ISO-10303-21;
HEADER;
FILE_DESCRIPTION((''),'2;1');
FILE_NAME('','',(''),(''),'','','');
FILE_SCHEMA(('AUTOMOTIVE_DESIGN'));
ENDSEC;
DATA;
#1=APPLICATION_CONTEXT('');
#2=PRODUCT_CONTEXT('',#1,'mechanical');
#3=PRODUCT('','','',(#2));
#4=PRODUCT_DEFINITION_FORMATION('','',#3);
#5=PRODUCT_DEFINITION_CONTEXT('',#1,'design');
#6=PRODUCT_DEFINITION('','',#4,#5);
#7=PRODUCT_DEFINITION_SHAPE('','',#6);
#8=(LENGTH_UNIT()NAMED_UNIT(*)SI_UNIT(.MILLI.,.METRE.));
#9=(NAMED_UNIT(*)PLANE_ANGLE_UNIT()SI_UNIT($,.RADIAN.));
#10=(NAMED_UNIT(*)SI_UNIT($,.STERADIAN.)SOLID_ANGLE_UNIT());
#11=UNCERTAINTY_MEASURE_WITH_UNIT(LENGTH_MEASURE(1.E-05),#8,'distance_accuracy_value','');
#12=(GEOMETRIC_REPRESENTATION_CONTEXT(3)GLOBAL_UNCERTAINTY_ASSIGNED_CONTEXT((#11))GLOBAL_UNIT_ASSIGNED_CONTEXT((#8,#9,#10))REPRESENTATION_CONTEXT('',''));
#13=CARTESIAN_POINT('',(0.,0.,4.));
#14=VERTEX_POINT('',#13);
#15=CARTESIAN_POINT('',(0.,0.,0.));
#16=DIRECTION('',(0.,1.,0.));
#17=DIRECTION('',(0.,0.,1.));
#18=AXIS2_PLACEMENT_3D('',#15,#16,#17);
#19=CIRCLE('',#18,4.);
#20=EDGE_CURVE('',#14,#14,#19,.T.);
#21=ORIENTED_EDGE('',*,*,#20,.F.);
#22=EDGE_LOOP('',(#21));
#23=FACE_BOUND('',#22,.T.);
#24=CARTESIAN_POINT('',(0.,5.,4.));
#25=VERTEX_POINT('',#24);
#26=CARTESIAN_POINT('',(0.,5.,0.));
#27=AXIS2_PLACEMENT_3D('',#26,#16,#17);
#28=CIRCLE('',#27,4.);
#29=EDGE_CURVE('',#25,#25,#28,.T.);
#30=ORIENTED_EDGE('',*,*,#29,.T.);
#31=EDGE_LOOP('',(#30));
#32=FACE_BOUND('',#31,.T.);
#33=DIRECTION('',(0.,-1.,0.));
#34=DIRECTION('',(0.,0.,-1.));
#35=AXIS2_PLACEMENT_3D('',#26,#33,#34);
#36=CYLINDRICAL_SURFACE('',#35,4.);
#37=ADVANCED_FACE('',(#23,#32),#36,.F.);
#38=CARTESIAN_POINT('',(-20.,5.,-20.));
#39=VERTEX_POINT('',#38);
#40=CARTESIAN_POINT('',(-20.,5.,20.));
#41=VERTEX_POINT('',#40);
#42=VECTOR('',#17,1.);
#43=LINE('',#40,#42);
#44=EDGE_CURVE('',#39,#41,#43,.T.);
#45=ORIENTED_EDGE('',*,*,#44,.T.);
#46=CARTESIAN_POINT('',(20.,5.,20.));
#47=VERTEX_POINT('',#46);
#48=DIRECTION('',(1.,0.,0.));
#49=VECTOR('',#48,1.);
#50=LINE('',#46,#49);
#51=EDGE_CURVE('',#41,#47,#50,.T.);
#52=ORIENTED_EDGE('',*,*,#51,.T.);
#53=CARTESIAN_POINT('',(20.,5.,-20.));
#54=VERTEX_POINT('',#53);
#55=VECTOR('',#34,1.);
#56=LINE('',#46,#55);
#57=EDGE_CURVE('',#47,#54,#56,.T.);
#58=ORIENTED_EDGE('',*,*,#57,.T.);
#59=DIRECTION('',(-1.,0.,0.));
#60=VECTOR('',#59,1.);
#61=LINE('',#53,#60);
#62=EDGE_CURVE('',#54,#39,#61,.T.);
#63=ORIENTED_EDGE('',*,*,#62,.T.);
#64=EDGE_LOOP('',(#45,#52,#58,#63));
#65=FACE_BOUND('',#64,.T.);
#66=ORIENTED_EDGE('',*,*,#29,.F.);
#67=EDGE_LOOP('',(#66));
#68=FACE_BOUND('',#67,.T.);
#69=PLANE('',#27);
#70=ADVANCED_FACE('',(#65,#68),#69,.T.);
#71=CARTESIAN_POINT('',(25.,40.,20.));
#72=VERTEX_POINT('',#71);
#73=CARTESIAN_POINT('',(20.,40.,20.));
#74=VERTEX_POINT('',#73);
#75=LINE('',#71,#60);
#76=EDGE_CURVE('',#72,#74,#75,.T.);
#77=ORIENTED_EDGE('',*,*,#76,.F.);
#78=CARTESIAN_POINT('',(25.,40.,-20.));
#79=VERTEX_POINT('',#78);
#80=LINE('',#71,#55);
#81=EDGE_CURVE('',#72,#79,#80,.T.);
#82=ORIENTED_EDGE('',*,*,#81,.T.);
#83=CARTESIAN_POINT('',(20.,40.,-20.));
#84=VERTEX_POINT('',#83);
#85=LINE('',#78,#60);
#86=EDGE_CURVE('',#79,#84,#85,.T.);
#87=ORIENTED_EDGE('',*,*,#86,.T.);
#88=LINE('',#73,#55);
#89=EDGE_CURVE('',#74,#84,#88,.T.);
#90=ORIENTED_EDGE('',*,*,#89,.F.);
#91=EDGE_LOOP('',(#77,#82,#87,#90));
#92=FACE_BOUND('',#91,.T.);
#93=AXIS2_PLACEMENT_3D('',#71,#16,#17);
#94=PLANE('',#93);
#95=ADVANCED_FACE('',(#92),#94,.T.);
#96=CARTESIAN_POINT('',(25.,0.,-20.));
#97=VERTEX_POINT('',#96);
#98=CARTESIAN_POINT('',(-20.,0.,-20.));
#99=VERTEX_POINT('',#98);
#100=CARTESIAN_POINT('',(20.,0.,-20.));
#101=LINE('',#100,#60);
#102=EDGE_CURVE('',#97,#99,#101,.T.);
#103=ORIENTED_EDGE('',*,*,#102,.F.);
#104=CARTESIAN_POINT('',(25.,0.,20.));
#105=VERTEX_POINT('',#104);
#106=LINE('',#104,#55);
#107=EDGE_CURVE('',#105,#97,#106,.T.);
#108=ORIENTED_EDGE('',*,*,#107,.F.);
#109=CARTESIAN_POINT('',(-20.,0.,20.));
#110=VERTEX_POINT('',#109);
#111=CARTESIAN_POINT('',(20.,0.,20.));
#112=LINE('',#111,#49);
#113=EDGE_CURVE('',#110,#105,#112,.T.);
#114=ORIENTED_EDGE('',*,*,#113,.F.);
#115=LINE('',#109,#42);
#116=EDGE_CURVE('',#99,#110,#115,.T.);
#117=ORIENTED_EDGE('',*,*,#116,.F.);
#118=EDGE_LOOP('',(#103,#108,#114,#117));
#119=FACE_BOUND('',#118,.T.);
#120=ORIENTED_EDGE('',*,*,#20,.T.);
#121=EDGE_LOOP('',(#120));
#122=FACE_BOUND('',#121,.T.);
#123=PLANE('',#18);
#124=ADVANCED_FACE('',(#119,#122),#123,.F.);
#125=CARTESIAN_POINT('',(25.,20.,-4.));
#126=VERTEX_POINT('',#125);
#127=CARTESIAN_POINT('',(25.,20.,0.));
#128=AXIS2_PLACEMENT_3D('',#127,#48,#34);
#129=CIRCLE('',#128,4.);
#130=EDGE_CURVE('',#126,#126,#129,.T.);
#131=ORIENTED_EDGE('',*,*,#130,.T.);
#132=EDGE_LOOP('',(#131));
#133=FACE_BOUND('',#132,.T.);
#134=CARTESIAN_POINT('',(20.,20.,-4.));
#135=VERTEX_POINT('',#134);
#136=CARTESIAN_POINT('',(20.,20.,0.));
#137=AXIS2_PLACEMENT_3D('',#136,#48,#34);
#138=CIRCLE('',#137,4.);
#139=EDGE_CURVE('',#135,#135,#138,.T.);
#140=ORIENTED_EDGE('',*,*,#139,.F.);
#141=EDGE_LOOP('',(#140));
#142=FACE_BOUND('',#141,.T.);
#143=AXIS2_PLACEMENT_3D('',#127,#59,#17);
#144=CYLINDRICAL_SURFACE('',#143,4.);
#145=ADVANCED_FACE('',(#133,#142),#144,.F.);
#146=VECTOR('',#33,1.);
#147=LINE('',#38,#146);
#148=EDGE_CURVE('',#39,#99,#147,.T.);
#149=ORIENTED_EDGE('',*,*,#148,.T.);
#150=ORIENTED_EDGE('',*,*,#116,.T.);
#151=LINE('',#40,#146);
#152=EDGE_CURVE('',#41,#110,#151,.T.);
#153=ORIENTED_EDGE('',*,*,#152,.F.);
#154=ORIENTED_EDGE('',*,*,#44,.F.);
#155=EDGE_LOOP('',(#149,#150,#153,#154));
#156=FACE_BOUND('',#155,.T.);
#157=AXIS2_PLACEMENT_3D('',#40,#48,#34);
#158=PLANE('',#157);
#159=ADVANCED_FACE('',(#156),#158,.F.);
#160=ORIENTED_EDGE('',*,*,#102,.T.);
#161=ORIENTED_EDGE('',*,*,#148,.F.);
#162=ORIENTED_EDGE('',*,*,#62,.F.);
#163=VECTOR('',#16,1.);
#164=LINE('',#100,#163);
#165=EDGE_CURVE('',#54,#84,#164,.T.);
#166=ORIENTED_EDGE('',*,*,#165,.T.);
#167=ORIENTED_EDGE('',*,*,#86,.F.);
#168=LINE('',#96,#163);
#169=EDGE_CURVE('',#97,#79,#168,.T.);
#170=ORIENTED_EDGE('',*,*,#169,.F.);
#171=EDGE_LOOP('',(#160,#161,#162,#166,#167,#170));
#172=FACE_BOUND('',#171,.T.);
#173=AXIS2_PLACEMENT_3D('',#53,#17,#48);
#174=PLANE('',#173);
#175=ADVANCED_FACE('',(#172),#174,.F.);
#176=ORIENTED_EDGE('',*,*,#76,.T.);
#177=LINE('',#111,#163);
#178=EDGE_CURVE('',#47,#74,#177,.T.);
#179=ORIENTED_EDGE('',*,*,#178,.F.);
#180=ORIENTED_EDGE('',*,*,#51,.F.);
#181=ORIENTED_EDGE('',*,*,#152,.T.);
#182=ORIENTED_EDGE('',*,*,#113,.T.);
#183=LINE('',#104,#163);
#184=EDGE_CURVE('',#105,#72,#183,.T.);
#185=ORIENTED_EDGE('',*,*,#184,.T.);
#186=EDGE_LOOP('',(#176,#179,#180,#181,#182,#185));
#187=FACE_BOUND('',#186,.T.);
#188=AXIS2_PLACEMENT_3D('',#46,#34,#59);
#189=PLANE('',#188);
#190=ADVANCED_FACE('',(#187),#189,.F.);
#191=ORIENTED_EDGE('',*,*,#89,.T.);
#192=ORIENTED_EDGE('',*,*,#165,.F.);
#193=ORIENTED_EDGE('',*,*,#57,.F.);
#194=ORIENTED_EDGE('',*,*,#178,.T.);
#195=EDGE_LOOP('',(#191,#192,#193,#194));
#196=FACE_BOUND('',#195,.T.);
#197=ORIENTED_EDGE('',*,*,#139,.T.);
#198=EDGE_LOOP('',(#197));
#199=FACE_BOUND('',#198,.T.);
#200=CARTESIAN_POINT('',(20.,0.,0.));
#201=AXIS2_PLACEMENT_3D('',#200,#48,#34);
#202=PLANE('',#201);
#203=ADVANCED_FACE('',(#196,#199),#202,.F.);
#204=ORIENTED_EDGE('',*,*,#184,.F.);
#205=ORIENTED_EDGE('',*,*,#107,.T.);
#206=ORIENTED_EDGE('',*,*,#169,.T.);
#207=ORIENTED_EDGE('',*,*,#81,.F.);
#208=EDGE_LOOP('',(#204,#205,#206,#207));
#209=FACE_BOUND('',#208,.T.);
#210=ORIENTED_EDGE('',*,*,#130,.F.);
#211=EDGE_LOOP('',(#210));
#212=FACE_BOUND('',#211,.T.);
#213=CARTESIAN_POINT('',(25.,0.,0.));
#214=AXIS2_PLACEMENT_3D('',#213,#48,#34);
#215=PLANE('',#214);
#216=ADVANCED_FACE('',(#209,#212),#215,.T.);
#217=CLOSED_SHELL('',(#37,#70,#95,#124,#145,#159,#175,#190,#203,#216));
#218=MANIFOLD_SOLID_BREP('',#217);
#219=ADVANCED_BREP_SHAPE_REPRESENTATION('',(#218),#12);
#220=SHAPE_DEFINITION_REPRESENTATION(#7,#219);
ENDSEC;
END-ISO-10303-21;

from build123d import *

# Parameters (mm, degrees)
SKETCH1_W           = 40
SKETCH1_H           = 40
SKETCH1_R           = 4
BOSS_EXTRUDE1_DEPTH = 5
SKETCH2_W           = 40
SKETCH2_H           = 40
SKETCH2_R           = 4
BOSS_EXTRUDE2_DEPTH = 5


with BuildPart() as part:
    # Sketch1 → Boss-Extrude1 (new body)
    with BuildSketch(Plane(origin=(0, 0, 0), x_dir=(1, 0, 0), z_dir=(0, 1, 0))):
        Rectangle(SKETCH1_W, SKETCH1_H)
        with Locations(Location((0, 0, 0), (0, 0, 270))):
            Circle(SKETCH1_R, mode=Mode.SUBTRACT)
    extrude(amount=BOSS_EXTRUDE1_DEPTH)

    # Sketch2 → Boss-Extrude2 (add)
    with BuildSketch(Plane(origin=(20, 0, 0), x_dir=(0, 0, -1), z_dir=(1, 0, 0))):
        with Locations((0, 20)):
            Rectangle(SKETCH2_W, SKETCH2_H)
        with Locations((0, 20)):
            Circle(SKETCH2_R, mode=Mode.SUBTRACT)
    extrude(amount=BOSS_EXTRUDE2_DEPTH)


solid = part.part
